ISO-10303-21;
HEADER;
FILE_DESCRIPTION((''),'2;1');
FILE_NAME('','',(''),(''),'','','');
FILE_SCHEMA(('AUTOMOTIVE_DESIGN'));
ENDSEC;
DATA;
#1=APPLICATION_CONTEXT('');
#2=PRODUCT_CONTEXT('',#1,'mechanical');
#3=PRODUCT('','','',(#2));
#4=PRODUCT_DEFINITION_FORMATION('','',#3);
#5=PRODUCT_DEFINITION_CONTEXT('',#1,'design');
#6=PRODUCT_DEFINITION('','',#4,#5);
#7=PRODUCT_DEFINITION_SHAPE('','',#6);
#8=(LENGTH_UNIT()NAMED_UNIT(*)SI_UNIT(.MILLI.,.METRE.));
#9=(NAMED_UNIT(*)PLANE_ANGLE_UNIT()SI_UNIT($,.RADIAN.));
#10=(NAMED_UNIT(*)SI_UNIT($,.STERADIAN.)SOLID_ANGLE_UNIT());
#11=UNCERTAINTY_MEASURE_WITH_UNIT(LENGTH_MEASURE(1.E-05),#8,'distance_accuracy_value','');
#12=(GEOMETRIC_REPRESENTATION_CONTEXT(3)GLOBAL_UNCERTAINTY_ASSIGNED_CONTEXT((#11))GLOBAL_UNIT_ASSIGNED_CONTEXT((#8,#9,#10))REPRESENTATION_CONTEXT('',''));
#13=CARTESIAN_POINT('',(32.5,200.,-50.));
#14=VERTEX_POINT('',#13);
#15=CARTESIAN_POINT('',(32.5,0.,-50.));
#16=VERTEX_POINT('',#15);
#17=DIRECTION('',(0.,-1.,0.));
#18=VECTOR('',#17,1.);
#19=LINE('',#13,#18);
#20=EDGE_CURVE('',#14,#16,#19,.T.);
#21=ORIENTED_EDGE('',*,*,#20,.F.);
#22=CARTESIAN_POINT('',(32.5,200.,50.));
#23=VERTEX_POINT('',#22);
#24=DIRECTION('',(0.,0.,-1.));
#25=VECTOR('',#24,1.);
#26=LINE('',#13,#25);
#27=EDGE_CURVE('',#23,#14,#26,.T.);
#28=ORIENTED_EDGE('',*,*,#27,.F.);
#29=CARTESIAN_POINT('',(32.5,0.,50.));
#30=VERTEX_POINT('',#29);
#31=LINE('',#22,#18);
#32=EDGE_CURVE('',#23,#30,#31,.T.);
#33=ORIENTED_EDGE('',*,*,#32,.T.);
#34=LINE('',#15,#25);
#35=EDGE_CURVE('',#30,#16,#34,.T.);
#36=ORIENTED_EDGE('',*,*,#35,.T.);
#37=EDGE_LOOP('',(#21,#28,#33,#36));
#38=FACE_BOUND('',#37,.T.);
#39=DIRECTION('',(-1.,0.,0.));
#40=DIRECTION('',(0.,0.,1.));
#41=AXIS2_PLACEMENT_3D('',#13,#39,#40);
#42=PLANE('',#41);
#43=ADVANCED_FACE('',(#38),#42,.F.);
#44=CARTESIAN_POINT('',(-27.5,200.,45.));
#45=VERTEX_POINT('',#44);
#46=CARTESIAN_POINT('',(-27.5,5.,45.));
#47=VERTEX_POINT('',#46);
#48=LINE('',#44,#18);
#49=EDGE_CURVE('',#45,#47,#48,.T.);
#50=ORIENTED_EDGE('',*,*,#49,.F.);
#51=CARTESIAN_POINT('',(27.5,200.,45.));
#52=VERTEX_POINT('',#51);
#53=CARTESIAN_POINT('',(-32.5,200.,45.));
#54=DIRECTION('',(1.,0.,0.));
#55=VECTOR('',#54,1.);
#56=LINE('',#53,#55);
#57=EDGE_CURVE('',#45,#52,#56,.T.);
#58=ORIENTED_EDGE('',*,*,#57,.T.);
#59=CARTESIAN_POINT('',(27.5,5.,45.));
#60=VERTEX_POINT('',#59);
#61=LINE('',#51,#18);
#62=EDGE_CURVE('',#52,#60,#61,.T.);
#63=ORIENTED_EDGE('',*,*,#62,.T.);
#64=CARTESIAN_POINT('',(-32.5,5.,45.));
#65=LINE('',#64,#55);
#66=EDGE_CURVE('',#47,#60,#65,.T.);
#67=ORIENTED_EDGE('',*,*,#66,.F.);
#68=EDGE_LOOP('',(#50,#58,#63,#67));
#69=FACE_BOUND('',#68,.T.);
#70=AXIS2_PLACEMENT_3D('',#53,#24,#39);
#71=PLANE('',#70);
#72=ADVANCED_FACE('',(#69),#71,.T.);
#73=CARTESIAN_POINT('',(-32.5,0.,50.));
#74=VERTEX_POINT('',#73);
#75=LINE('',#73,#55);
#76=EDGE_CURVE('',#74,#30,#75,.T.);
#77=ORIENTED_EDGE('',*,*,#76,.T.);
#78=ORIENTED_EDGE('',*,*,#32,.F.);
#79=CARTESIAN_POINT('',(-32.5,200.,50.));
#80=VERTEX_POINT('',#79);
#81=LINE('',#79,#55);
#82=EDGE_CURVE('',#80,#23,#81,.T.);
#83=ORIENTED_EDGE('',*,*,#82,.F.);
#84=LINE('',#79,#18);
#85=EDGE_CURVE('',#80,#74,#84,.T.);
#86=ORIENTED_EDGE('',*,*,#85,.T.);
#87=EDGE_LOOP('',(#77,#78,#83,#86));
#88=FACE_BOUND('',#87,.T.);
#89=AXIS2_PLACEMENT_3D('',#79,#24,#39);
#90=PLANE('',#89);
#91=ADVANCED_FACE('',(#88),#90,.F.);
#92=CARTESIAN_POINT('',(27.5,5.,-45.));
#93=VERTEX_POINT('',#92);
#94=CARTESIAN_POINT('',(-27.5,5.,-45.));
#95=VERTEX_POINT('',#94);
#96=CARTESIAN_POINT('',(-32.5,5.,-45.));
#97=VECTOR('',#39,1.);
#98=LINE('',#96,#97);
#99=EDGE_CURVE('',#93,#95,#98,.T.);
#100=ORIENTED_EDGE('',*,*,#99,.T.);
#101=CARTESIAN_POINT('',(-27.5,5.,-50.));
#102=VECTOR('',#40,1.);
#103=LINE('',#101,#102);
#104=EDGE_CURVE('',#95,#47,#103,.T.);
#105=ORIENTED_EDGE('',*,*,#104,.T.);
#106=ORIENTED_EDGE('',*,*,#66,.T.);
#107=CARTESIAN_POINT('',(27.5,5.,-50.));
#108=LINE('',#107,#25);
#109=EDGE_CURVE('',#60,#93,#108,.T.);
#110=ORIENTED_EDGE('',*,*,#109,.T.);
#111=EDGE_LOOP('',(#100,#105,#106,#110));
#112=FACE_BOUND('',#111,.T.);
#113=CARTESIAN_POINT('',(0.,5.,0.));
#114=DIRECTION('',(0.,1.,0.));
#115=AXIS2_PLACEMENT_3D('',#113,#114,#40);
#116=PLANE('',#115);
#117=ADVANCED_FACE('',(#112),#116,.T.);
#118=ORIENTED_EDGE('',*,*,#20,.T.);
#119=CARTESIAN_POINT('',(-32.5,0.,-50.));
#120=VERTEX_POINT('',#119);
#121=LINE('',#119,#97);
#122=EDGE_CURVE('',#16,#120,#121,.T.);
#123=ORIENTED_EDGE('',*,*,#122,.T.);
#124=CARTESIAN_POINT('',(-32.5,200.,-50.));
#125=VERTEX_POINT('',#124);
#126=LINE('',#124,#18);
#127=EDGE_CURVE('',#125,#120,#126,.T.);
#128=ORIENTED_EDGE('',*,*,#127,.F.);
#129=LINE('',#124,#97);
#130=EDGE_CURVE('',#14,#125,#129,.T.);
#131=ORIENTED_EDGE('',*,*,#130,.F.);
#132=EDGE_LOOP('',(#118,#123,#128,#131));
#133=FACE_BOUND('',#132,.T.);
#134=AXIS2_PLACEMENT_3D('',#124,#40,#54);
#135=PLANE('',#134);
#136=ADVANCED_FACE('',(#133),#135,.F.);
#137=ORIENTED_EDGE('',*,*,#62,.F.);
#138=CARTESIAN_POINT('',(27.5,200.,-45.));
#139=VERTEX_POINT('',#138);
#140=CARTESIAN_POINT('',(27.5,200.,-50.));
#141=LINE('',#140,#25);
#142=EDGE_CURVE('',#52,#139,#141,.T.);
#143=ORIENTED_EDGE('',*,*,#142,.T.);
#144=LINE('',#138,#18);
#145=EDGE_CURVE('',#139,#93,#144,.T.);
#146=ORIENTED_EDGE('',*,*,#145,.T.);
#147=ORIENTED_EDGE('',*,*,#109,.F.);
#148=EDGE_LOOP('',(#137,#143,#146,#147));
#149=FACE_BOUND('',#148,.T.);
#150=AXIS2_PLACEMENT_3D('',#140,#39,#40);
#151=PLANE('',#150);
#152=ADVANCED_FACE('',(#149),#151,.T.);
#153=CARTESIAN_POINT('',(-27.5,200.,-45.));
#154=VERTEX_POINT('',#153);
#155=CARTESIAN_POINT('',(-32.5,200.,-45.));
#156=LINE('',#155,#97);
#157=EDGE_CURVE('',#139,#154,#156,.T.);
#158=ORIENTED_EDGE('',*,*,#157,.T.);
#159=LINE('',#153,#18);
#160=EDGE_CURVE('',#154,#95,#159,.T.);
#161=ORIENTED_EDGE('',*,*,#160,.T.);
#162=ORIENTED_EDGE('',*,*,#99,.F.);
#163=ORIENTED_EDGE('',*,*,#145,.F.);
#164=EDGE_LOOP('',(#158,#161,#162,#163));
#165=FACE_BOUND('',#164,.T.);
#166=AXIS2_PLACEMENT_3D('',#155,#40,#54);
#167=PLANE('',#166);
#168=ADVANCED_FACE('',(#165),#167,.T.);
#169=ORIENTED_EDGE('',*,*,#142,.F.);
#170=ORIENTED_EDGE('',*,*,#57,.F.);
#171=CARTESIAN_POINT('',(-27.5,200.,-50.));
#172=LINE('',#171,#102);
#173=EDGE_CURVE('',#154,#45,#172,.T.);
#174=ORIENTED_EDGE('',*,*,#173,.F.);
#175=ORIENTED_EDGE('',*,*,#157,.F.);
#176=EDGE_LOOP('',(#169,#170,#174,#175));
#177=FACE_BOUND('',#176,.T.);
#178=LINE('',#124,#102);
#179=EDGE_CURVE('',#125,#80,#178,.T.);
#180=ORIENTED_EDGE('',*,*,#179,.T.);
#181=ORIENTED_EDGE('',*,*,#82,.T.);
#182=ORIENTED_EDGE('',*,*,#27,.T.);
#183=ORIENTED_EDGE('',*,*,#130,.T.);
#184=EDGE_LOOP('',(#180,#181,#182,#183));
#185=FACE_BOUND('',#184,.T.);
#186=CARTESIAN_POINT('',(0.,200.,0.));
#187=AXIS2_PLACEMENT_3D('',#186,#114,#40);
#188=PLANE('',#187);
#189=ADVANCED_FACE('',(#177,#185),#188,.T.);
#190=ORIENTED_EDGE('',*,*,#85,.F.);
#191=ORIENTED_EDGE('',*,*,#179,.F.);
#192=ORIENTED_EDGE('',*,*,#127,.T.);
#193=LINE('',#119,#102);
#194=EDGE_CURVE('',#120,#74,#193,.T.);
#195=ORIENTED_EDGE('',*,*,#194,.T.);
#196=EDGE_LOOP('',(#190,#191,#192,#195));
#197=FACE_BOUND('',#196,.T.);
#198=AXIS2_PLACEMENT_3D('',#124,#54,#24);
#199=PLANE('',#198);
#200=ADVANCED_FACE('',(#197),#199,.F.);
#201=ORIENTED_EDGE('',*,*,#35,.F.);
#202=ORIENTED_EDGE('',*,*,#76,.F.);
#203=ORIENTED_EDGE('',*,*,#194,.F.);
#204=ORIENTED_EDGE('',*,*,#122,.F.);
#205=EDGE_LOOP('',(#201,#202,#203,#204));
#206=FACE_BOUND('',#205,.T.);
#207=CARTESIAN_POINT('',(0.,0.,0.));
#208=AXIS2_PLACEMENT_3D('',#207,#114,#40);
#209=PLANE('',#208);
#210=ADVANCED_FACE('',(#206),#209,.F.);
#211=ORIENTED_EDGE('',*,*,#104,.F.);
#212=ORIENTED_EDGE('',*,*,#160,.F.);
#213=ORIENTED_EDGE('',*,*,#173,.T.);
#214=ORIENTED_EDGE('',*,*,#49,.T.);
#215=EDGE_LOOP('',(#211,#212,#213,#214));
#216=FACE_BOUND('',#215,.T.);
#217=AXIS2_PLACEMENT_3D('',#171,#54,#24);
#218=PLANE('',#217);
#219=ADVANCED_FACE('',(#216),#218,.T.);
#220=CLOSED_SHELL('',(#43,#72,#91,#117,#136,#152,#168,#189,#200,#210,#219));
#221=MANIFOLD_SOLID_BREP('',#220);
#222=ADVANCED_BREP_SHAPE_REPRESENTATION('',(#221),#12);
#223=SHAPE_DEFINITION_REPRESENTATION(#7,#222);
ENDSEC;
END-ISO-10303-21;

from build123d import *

# Parameters (mm, degrees)
SKETCH1_W           = 65
SKETCH1_H           = 100
BOSS_EXTRUDE1_DEPTH = 200
SHELL1_T            = -5


with BuildPart() as part:
    # Sketch1 → Boss-Extrude1 (new body)
    with BuildSketch(Plane(origin=(0, 0, 0), x_dir=(1, 0, 0), z_dir=(0, 1, 0))):
        Rectangle(SKETCH1_W, SKETCH1_H)
    extrude(amount=BOSS_EXTRUDE1_DEPTH)

    # Shell1
    shell1_openings = [part.faces().sort_by_distance(p)[0] for p in [
        (0, 200, 0),
    ]]
    offset(amount=SHELL1_T, openings=shell1_openings, kind=Kind.INTERSECTION)


solid = part.part
